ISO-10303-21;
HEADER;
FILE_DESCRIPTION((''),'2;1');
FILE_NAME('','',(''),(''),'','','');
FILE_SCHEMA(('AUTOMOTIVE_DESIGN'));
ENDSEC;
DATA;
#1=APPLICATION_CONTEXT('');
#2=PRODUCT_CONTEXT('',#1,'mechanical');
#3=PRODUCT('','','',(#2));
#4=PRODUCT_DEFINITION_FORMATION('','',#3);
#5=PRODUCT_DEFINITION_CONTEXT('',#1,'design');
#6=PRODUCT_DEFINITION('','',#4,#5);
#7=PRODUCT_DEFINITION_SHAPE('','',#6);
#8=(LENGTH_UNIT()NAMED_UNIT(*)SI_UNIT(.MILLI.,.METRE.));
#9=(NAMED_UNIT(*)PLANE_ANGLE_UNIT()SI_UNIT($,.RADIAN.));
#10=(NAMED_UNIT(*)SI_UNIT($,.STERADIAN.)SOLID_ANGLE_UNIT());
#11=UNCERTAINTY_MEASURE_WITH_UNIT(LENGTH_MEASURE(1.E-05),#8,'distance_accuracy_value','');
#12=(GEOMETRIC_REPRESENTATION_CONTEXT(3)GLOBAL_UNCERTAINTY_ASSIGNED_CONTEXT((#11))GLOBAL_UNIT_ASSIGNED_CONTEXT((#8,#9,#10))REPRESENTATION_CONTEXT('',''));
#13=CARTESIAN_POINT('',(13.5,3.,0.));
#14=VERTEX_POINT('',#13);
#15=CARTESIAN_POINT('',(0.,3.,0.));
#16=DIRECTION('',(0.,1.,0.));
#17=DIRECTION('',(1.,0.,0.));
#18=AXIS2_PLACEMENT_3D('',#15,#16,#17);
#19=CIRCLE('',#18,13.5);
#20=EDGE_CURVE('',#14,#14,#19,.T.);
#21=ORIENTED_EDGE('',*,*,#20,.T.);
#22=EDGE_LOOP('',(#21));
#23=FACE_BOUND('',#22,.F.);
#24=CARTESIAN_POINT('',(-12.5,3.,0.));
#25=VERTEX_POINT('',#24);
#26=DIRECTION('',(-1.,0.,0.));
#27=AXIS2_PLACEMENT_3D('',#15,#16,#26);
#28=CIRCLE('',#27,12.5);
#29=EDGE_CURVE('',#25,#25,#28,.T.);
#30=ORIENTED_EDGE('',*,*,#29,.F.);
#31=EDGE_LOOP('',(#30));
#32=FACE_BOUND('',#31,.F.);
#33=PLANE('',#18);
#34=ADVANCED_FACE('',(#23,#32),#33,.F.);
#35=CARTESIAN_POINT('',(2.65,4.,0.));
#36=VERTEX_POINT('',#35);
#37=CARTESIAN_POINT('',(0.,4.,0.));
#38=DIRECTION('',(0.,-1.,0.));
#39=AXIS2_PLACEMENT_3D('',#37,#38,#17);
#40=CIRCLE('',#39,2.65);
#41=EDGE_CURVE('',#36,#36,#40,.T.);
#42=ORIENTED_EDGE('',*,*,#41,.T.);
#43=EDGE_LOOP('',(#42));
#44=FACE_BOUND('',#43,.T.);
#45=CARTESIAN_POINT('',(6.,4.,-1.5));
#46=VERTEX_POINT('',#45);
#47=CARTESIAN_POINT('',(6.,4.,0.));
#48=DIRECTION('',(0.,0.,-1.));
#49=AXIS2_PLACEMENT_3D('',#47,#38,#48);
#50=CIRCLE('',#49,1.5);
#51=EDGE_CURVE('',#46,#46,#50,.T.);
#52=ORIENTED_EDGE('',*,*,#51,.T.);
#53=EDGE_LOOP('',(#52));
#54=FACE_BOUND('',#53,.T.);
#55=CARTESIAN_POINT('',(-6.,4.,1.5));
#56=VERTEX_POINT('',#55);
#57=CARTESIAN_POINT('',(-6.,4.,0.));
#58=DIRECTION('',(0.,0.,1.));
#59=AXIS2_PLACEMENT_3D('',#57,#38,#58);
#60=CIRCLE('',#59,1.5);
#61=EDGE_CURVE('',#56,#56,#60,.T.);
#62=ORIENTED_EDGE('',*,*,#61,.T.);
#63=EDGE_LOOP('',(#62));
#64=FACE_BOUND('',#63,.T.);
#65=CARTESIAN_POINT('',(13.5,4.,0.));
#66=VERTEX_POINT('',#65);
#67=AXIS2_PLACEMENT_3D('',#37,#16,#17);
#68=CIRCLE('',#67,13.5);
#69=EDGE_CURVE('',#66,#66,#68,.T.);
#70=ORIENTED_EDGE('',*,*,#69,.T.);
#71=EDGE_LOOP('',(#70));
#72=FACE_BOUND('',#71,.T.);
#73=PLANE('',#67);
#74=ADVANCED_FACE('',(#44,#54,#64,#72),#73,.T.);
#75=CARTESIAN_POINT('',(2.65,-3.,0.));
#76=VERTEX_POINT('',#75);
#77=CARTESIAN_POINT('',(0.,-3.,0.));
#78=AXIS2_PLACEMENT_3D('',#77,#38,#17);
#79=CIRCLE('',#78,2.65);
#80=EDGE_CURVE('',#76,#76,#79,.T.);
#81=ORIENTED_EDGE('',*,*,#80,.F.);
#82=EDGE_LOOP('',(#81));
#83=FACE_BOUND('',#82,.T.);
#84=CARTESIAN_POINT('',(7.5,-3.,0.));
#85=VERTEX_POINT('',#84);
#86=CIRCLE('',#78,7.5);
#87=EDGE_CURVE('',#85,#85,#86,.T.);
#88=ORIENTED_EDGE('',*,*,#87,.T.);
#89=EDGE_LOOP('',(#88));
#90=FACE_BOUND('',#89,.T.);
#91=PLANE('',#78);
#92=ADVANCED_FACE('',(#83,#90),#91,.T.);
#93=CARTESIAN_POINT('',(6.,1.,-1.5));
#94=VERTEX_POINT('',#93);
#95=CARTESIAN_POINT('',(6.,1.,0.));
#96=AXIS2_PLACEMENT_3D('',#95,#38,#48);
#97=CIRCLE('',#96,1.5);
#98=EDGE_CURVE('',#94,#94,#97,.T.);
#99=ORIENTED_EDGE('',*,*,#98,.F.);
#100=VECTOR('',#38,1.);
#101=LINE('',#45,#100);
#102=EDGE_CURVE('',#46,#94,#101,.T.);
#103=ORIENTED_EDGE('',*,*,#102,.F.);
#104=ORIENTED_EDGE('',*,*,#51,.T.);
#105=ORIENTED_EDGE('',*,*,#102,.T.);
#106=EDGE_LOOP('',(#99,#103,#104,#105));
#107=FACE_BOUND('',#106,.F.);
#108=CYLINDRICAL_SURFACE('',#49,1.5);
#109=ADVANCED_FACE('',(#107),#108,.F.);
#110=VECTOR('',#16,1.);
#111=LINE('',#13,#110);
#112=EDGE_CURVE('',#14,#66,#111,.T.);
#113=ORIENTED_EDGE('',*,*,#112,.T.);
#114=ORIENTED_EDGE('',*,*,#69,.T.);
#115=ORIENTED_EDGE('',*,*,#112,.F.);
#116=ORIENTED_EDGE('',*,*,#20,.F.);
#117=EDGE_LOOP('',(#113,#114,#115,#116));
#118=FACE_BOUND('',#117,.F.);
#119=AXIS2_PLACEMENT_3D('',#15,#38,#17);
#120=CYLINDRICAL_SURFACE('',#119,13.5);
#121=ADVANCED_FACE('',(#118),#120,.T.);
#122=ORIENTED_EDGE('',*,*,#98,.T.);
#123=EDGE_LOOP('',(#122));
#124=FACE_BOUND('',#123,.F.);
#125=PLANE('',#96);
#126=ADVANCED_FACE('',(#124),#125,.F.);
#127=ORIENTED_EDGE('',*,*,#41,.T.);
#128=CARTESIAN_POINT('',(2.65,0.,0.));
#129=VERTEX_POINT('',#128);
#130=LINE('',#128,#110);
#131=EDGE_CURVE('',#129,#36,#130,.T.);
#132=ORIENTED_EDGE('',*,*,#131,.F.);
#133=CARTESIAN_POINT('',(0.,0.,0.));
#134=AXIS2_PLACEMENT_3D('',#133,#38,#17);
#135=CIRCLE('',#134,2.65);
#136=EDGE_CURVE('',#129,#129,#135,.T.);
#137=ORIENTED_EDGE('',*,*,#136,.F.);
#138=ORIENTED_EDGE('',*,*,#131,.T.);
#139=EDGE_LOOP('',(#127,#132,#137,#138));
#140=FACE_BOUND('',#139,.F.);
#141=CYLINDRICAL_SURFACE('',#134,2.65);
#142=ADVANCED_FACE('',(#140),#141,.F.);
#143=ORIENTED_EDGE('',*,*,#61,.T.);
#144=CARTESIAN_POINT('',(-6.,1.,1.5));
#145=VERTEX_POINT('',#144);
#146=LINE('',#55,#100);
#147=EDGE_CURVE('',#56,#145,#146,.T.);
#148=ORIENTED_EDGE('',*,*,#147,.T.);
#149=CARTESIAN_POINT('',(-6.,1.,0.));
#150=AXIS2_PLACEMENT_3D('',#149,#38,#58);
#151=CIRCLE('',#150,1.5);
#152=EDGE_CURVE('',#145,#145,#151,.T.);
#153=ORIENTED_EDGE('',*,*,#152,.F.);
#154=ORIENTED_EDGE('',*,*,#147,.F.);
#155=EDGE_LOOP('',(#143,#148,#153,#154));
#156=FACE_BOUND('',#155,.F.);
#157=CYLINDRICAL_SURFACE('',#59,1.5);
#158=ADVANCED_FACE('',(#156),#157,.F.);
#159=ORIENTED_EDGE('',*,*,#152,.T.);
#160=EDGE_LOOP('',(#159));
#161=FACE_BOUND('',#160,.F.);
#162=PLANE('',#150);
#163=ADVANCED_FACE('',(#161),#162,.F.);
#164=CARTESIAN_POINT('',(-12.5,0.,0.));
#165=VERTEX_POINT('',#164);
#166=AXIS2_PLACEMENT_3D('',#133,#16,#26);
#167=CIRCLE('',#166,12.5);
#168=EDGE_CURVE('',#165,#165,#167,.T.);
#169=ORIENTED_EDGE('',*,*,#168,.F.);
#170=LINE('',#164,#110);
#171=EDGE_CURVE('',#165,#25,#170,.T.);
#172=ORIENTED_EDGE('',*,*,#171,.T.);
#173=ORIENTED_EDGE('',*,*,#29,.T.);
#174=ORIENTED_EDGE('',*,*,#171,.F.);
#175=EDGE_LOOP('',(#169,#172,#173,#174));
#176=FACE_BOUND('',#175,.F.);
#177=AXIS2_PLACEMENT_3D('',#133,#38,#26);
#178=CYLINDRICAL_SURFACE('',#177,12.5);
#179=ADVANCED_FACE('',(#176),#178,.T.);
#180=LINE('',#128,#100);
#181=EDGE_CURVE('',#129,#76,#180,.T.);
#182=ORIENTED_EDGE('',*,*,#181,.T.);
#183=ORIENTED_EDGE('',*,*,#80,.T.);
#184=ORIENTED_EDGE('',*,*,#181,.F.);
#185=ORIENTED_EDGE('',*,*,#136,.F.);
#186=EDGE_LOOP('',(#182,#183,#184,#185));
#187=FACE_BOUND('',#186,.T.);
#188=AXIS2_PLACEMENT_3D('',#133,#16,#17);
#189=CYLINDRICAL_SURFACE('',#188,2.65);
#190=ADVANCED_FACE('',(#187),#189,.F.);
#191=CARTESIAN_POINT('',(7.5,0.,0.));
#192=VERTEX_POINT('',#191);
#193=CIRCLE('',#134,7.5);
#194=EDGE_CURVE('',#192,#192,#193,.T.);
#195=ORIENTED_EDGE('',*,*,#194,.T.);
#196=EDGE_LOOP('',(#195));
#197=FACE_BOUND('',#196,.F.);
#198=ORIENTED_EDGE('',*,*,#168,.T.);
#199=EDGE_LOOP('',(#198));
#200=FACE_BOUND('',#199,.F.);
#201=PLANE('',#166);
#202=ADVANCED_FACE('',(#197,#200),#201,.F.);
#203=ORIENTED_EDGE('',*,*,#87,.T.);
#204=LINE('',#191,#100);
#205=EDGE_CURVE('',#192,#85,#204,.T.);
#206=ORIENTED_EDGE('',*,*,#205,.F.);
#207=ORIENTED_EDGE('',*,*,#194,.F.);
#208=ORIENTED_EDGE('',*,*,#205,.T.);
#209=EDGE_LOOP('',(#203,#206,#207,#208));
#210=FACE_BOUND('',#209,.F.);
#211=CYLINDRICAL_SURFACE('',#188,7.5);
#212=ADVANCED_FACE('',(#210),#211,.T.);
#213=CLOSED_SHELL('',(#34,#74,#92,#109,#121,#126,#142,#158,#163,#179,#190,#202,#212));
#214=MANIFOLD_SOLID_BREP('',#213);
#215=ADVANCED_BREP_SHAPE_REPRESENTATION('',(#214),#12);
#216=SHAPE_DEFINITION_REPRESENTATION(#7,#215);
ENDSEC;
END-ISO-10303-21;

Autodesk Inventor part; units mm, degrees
ref_plane "YZ Plane" through (0, 0, 0) normal (1, 0, 0) x (0, 1, 0)
ref_plane "XZ Plane" through (0, 0, 0) normal (0, 1, 0) x (-1, 0, 0)
ref_plane "XY Plane" through (0, 0, 0) normal (0, 0, 1) x (1, 0, 0)
sketch "Szkic1" plane through (0, 0, 0) normal (0, 1, 0) x (-1, 0, 0)
  circle A0 centre (0, 0) radius 12.5
  dimension "d0" = 25
extrude "Wyciągnięcie proste1" add sketch "Szkic1" along normal blind 3
sketch "Szkic6" plane through (0, 3, 0) normal (0, 1, 0) x (1, 0, 0)
  circle A0 centre (0, 0) radius 13.5
  dimension "d13" = 27
extrude "Wyciągnięcie proste5" add sketch "Szkic6" along normal blind 1
sketch "Szkic7" plane through (0, 4, 0) normal (0, 1, 0) x (1, 0, 0)
  point P0 (0, 0)
  point P1 (-6, 0)
  dimension "d16" = 6
hole "Otwór1" at (-6, 4, 0) direction (0, -1, 0) diameter 3 depth 3
pattern_circular "Szyk kołowy1" count 2 over 360 about axis through (0, 3, 0) along (0, 1, 0) of "Otwór1"
sketch "Szkic8" plane through (0, 0, 0) normal (0, -1, 0) x (1, 0, 0)
  circle A0 centre (0, 0) radius 2.65
  dimension "d35" = 5.3
extrude "Wyciągnięcie proste6" cut sketch "Szkic8" against normal through all
sketch "Sketch10" plane through (0, 0, 0) normal (0, -1, 0) x (1, 0, 0)
  circle A0 centre (0, 0) radius 2.65
  circle A1 centre (0, 0) radius 7.5
  dimension "d36" = 15
extrude "Extrusion8" add sketch "Sketch10" along normal blind 3
properties part number "_Drukowanie 3D"
